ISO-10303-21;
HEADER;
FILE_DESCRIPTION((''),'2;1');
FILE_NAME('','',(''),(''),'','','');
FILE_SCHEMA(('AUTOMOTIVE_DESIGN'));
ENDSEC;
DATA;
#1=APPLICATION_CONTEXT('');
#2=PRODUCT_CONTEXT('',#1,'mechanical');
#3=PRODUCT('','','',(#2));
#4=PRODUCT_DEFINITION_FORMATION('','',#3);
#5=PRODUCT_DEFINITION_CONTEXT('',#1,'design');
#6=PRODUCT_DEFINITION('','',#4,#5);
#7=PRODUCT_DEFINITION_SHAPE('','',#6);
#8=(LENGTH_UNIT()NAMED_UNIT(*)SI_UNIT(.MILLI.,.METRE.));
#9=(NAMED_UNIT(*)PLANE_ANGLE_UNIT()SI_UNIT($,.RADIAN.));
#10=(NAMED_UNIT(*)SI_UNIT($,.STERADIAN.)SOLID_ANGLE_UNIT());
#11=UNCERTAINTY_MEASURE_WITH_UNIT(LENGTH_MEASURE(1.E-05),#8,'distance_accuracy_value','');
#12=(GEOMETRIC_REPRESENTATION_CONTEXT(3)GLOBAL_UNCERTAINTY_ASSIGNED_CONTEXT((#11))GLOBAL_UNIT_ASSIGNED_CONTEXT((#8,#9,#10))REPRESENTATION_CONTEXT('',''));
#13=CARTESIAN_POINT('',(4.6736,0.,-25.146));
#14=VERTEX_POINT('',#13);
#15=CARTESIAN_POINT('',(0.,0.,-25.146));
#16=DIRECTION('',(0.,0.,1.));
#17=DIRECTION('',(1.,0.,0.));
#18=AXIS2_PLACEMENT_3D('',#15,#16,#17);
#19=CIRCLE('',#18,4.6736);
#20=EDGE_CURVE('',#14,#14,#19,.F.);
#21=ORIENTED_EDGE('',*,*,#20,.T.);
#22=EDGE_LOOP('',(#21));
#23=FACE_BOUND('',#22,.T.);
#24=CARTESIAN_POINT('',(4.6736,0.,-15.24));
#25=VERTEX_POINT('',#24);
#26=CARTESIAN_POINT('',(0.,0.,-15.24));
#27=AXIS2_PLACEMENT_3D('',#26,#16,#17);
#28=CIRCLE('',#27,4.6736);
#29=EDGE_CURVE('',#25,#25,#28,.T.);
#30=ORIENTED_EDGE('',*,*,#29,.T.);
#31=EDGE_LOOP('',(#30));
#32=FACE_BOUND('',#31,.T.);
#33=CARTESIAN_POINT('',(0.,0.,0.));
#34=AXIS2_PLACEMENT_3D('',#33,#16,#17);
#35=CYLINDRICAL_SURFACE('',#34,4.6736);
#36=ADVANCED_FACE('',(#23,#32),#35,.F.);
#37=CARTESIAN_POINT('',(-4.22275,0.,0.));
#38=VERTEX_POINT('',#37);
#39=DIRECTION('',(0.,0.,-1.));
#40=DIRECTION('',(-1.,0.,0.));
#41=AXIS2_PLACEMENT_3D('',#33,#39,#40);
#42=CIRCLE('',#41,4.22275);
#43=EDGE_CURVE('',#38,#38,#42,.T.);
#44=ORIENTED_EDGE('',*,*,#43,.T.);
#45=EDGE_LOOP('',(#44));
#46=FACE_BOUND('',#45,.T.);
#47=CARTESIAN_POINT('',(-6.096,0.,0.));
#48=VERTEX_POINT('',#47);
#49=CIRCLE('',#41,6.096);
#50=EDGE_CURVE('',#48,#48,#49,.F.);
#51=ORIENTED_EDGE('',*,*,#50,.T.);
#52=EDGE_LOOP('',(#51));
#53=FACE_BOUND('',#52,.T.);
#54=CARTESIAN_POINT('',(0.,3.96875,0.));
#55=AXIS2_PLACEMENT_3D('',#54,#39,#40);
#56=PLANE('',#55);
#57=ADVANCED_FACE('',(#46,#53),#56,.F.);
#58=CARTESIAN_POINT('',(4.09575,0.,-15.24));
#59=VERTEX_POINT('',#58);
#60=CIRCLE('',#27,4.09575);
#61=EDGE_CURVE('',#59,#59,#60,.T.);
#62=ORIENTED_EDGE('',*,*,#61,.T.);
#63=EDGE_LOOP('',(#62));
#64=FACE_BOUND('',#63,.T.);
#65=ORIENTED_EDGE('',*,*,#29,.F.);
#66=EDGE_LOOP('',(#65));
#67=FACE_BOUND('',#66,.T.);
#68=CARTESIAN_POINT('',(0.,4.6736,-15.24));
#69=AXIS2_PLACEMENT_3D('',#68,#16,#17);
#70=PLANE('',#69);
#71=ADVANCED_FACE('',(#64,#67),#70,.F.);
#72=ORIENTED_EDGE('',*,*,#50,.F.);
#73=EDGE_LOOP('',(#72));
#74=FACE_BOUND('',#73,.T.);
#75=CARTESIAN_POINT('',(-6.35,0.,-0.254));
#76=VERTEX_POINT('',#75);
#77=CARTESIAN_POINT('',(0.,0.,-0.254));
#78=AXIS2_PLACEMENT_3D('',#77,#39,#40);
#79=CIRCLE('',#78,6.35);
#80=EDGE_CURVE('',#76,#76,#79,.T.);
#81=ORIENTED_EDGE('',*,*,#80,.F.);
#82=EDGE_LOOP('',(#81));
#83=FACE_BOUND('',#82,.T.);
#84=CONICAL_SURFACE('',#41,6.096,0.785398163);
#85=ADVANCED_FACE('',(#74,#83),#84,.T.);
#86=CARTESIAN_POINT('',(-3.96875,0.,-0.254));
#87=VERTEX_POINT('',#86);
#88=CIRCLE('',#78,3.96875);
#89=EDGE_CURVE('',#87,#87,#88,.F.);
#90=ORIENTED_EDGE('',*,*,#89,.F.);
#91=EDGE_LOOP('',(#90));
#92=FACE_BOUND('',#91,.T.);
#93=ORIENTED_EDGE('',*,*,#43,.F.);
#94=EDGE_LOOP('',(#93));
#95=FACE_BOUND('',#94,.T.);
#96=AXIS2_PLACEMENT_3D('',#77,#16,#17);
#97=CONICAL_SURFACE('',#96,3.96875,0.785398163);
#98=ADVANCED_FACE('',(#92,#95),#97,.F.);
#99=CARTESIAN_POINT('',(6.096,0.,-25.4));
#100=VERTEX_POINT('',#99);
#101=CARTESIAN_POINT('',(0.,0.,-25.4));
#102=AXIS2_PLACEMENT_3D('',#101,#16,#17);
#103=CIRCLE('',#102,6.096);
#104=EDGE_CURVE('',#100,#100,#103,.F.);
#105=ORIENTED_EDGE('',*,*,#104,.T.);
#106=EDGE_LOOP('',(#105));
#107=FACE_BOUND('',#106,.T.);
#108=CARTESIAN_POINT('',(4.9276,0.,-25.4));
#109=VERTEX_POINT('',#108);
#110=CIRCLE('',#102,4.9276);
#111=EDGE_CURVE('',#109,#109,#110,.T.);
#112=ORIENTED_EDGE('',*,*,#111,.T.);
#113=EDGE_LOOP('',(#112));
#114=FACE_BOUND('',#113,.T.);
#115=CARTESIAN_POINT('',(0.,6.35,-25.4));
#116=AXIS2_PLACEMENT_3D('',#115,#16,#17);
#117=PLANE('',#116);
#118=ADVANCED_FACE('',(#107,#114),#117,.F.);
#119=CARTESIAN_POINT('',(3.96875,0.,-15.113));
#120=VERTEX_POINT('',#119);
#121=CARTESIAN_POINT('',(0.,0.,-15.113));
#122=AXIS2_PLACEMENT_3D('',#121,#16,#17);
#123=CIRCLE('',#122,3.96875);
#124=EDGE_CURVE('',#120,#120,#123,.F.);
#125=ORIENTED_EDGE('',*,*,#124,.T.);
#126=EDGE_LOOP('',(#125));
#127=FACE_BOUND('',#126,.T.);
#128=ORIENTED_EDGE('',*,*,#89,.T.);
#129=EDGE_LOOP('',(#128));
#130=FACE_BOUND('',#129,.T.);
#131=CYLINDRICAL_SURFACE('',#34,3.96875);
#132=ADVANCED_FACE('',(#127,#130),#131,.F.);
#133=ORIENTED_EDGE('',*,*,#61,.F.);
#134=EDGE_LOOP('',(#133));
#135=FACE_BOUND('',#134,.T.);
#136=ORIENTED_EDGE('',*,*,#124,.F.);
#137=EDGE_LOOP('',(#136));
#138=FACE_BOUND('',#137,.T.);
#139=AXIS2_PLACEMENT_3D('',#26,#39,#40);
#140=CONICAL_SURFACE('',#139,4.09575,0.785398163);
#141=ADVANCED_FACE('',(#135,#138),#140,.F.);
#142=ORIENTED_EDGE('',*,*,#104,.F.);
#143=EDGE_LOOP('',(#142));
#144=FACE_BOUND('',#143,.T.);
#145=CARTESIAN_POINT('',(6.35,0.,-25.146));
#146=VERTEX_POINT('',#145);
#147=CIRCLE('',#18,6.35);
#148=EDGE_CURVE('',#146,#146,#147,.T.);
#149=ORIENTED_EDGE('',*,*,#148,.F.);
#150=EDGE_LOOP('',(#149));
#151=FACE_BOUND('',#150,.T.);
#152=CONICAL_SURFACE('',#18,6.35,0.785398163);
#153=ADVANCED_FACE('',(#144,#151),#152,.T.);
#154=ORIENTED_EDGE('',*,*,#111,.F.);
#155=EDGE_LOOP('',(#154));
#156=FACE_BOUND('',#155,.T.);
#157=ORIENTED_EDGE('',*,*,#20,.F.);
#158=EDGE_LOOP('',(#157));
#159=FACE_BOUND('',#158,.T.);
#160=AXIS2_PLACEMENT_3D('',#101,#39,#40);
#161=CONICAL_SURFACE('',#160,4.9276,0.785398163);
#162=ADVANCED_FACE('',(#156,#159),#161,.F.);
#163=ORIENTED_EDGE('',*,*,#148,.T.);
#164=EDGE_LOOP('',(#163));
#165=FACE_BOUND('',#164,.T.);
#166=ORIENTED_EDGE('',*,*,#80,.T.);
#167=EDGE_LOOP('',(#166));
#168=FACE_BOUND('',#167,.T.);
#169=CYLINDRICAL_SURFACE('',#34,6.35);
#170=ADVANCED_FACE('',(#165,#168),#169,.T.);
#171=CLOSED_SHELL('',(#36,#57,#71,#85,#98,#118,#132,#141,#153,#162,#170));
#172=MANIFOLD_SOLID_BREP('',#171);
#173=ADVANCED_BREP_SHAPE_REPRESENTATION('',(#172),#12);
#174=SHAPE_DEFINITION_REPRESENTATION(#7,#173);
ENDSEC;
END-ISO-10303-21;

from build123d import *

# Parameters (mm, degrees)
CHAMFER1_SIZE = 0.254
CHAMFER2_SIZE = 0.127


with BuildPart() as part:
    # Sketch1 → Revolve1 (revolve)
    with BuildSketch(Plane(origin=(0, 0, 0), x_dir=(0, 0, -1), z_dir=(1, 0, 0)), mode=Mode.PRIVATE) as revolve1_sk:
        Polygon((0, 6.35), (25.4, 6.35), (25.4, 4.6736), (15.24, 4.6736), (15.24, 3.96875), (0, 3.96875), align=None)
    revolve(revolve1_sk.sketch.rotate(Axis((0, 0, 0), (0, 0, -1)), 90), axis=Axis((0, 0, 0), (0, 0, -1)))

    # Chamfer1
    chamfer1_edges = [part.edges().sort_by_distance(p)[0] for p in [
        (-3.96875, 0, 0),
        (-4.6736, 0, -25.4),
        (-6.35, 0, -25.4),
        (-6.35, 0, 0),
    ]]
    chamfer(chamfer1_edges, length=CHAMFER1_SIZE)

    # Chamfer2
    chamfer2_edges = [part.edges().sort_by_distance(p)[0] for p in [
        (-3.96875, 0, -15.24),
    ]]
    chamfer(chamfer2_edges, length=CHAMFER2_SIZE)


solid = part.part
